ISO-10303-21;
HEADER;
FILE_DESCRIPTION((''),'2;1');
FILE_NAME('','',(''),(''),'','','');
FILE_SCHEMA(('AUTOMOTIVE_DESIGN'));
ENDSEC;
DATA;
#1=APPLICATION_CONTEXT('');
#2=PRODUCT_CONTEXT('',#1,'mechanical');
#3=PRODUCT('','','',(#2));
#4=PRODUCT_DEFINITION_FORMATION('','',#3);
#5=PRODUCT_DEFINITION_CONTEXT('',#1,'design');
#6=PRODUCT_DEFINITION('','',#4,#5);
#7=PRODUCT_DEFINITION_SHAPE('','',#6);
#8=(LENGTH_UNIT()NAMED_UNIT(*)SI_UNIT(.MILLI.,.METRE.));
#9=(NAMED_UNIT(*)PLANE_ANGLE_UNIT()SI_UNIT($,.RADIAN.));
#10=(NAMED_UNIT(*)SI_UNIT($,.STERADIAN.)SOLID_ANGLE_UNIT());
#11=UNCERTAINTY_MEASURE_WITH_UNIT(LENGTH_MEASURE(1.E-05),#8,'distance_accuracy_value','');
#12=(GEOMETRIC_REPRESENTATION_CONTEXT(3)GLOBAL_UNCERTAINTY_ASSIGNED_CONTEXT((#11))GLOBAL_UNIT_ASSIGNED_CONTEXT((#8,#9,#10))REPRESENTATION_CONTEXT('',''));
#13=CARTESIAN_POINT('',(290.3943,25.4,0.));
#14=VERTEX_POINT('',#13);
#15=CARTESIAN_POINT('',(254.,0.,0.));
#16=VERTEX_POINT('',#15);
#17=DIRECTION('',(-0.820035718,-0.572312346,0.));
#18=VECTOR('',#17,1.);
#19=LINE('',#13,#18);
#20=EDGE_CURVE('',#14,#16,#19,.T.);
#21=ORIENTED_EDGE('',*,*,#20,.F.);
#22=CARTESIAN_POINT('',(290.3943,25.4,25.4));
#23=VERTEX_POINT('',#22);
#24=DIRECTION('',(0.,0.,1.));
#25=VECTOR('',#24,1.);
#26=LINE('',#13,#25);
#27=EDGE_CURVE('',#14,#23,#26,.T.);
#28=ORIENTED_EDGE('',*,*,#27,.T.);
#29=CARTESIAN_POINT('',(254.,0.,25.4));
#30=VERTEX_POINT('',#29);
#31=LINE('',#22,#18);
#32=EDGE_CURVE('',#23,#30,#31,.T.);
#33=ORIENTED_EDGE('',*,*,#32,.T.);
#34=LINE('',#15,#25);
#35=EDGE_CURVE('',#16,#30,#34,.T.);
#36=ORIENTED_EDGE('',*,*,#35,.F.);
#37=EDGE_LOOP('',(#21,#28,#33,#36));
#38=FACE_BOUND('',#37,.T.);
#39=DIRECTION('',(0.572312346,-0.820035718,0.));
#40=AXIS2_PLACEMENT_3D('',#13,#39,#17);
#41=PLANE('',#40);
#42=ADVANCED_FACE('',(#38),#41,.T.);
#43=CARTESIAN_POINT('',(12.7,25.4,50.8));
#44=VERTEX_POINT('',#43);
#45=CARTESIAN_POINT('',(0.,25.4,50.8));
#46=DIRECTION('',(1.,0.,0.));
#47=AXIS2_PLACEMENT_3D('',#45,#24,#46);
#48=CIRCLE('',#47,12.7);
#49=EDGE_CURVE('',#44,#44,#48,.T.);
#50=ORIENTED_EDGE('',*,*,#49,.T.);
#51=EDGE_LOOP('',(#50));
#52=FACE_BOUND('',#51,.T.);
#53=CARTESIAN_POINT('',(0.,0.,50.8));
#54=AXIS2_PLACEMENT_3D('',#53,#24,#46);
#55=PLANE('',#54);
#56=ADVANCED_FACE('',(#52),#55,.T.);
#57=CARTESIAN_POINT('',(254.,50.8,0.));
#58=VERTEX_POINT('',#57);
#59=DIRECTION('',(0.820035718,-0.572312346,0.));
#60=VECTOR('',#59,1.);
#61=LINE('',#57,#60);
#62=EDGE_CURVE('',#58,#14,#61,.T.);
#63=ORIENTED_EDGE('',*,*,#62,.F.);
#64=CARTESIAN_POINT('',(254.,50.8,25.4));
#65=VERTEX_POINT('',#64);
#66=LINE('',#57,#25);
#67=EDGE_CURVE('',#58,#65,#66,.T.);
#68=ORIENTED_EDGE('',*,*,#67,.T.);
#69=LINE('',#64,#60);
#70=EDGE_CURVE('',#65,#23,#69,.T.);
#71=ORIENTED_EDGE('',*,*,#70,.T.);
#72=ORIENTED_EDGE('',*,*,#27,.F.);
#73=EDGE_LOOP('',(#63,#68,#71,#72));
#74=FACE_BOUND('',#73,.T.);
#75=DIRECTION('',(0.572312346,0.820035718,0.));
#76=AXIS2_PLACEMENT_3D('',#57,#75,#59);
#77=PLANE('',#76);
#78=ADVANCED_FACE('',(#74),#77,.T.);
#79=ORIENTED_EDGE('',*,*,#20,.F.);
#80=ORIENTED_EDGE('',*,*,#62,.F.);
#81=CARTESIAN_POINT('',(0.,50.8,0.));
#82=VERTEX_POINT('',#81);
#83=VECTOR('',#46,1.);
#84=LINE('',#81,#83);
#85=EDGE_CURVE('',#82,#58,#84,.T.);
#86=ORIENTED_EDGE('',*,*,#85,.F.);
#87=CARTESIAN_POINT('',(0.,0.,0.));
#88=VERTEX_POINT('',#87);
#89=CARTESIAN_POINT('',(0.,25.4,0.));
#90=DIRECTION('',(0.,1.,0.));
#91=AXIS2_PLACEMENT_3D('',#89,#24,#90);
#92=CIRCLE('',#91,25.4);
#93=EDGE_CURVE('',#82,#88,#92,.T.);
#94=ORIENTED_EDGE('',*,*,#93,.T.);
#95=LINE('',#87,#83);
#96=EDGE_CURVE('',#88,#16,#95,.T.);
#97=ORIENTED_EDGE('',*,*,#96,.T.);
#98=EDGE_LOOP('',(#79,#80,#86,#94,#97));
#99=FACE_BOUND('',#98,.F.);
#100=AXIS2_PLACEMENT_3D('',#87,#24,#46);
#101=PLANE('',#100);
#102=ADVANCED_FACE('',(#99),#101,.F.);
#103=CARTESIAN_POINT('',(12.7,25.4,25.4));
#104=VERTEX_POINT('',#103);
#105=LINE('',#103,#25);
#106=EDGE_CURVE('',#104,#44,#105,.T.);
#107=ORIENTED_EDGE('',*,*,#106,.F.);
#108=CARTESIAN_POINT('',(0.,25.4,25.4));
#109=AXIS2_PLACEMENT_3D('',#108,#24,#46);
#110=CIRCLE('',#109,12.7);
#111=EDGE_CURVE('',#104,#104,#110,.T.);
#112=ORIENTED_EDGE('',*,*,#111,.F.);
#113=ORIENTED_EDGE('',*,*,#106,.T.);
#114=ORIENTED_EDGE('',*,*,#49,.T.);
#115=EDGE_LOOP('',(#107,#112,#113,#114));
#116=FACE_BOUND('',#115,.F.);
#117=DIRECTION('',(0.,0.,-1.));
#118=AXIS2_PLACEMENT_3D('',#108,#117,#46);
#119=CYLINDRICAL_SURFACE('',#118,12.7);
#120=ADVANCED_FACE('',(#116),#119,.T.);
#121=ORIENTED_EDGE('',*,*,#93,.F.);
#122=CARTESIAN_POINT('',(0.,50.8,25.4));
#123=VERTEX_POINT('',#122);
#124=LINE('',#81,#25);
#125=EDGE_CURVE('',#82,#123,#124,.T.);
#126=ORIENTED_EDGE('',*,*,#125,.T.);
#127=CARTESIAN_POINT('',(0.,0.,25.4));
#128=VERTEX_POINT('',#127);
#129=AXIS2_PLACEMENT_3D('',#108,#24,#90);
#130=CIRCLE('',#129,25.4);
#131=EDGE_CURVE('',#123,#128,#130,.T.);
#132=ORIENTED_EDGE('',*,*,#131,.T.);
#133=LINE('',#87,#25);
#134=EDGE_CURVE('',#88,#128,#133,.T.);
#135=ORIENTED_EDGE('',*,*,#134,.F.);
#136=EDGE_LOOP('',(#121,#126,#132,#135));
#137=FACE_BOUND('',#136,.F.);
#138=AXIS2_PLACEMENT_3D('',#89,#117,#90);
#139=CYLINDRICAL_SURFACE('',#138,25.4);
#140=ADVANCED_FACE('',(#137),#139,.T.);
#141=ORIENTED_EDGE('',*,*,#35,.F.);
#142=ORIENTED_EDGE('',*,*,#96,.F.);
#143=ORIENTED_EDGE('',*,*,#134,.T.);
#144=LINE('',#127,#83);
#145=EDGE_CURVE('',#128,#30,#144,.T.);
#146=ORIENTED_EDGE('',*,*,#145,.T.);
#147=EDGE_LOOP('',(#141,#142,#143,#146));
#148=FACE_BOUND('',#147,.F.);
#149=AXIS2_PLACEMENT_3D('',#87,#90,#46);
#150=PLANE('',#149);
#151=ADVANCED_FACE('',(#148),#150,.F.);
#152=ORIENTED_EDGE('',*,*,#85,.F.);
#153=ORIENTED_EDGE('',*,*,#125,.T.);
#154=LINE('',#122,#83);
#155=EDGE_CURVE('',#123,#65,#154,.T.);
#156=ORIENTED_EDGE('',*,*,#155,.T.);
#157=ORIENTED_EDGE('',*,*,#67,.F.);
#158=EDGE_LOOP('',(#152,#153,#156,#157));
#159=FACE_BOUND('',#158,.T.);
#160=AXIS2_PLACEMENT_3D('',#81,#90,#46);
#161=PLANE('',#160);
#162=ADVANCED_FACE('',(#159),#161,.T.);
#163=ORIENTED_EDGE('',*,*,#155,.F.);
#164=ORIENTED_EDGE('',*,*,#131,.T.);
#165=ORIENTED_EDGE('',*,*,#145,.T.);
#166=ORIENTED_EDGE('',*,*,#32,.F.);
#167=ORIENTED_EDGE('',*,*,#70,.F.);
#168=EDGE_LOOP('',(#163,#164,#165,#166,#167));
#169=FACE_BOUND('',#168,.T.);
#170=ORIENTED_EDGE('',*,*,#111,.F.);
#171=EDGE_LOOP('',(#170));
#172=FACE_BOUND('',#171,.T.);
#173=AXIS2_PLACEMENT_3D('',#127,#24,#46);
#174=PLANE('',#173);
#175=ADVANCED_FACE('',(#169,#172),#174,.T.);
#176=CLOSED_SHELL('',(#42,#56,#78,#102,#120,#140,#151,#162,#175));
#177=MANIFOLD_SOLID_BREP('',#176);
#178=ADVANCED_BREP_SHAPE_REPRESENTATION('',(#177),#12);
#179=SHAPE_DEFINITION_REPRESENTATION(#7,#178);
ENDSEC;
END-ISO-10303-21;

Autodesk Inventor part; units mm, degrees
ref_plane "YZ Plane" through (0, 0, 0) normal (1, 0, 0) x (0, 1, 0)
ref_plane "XZ Plane" through (0, 0, 0) normal (0, 1, 0) x (-1, 0, 0)
ref_plane "XY Plane" through (0, 0, 0) normal (0, 0, 1) x (1, 0, 0)
sketch "Sketch1" plane through (0, 0, 0) normal (0, 0, 1) x (1, 0, 0)
  line L0 (0, 0) -> (254, 0)
  line L1 (0, 50.8) -> (254, 50.8)
  arc A0 (0, 50.8) -> (0, 0) centre (0, 25.4) ccw
  line L2 (254, 50.8) -> (290.3943, 25.4)
  line L3 (290.3943, 25.4) -> (254, 0)
  circle A1 centre (0, 25.4) radius 12.7
  dimension "d0" = 254
  dimension "d1" = 254
  dimension "d2" = 50.8
  dimension "d3" = 25.4
  dimension "d4" = 25.4
extrude "Extrusion1" add sketch "Sketch1" along normal blind 25.4 contours A0 L1 L2 L3 L0 | A1
sketch "Sketch2" plane through (0, 0, 25.4) normal (0, 0, 1) x (1, 0, 0)
  circle A0 centre (0, 25.4) radius 12.7
  arc A1 (0, 50.8) -> (0, 0) centre (0, 25.4) ccw projected
  dimension "d7" = 25.4
extrude "Extrusion2" add sketch "Sketch2" along normal blind 25.4
properties part number "Punta de flecha"
